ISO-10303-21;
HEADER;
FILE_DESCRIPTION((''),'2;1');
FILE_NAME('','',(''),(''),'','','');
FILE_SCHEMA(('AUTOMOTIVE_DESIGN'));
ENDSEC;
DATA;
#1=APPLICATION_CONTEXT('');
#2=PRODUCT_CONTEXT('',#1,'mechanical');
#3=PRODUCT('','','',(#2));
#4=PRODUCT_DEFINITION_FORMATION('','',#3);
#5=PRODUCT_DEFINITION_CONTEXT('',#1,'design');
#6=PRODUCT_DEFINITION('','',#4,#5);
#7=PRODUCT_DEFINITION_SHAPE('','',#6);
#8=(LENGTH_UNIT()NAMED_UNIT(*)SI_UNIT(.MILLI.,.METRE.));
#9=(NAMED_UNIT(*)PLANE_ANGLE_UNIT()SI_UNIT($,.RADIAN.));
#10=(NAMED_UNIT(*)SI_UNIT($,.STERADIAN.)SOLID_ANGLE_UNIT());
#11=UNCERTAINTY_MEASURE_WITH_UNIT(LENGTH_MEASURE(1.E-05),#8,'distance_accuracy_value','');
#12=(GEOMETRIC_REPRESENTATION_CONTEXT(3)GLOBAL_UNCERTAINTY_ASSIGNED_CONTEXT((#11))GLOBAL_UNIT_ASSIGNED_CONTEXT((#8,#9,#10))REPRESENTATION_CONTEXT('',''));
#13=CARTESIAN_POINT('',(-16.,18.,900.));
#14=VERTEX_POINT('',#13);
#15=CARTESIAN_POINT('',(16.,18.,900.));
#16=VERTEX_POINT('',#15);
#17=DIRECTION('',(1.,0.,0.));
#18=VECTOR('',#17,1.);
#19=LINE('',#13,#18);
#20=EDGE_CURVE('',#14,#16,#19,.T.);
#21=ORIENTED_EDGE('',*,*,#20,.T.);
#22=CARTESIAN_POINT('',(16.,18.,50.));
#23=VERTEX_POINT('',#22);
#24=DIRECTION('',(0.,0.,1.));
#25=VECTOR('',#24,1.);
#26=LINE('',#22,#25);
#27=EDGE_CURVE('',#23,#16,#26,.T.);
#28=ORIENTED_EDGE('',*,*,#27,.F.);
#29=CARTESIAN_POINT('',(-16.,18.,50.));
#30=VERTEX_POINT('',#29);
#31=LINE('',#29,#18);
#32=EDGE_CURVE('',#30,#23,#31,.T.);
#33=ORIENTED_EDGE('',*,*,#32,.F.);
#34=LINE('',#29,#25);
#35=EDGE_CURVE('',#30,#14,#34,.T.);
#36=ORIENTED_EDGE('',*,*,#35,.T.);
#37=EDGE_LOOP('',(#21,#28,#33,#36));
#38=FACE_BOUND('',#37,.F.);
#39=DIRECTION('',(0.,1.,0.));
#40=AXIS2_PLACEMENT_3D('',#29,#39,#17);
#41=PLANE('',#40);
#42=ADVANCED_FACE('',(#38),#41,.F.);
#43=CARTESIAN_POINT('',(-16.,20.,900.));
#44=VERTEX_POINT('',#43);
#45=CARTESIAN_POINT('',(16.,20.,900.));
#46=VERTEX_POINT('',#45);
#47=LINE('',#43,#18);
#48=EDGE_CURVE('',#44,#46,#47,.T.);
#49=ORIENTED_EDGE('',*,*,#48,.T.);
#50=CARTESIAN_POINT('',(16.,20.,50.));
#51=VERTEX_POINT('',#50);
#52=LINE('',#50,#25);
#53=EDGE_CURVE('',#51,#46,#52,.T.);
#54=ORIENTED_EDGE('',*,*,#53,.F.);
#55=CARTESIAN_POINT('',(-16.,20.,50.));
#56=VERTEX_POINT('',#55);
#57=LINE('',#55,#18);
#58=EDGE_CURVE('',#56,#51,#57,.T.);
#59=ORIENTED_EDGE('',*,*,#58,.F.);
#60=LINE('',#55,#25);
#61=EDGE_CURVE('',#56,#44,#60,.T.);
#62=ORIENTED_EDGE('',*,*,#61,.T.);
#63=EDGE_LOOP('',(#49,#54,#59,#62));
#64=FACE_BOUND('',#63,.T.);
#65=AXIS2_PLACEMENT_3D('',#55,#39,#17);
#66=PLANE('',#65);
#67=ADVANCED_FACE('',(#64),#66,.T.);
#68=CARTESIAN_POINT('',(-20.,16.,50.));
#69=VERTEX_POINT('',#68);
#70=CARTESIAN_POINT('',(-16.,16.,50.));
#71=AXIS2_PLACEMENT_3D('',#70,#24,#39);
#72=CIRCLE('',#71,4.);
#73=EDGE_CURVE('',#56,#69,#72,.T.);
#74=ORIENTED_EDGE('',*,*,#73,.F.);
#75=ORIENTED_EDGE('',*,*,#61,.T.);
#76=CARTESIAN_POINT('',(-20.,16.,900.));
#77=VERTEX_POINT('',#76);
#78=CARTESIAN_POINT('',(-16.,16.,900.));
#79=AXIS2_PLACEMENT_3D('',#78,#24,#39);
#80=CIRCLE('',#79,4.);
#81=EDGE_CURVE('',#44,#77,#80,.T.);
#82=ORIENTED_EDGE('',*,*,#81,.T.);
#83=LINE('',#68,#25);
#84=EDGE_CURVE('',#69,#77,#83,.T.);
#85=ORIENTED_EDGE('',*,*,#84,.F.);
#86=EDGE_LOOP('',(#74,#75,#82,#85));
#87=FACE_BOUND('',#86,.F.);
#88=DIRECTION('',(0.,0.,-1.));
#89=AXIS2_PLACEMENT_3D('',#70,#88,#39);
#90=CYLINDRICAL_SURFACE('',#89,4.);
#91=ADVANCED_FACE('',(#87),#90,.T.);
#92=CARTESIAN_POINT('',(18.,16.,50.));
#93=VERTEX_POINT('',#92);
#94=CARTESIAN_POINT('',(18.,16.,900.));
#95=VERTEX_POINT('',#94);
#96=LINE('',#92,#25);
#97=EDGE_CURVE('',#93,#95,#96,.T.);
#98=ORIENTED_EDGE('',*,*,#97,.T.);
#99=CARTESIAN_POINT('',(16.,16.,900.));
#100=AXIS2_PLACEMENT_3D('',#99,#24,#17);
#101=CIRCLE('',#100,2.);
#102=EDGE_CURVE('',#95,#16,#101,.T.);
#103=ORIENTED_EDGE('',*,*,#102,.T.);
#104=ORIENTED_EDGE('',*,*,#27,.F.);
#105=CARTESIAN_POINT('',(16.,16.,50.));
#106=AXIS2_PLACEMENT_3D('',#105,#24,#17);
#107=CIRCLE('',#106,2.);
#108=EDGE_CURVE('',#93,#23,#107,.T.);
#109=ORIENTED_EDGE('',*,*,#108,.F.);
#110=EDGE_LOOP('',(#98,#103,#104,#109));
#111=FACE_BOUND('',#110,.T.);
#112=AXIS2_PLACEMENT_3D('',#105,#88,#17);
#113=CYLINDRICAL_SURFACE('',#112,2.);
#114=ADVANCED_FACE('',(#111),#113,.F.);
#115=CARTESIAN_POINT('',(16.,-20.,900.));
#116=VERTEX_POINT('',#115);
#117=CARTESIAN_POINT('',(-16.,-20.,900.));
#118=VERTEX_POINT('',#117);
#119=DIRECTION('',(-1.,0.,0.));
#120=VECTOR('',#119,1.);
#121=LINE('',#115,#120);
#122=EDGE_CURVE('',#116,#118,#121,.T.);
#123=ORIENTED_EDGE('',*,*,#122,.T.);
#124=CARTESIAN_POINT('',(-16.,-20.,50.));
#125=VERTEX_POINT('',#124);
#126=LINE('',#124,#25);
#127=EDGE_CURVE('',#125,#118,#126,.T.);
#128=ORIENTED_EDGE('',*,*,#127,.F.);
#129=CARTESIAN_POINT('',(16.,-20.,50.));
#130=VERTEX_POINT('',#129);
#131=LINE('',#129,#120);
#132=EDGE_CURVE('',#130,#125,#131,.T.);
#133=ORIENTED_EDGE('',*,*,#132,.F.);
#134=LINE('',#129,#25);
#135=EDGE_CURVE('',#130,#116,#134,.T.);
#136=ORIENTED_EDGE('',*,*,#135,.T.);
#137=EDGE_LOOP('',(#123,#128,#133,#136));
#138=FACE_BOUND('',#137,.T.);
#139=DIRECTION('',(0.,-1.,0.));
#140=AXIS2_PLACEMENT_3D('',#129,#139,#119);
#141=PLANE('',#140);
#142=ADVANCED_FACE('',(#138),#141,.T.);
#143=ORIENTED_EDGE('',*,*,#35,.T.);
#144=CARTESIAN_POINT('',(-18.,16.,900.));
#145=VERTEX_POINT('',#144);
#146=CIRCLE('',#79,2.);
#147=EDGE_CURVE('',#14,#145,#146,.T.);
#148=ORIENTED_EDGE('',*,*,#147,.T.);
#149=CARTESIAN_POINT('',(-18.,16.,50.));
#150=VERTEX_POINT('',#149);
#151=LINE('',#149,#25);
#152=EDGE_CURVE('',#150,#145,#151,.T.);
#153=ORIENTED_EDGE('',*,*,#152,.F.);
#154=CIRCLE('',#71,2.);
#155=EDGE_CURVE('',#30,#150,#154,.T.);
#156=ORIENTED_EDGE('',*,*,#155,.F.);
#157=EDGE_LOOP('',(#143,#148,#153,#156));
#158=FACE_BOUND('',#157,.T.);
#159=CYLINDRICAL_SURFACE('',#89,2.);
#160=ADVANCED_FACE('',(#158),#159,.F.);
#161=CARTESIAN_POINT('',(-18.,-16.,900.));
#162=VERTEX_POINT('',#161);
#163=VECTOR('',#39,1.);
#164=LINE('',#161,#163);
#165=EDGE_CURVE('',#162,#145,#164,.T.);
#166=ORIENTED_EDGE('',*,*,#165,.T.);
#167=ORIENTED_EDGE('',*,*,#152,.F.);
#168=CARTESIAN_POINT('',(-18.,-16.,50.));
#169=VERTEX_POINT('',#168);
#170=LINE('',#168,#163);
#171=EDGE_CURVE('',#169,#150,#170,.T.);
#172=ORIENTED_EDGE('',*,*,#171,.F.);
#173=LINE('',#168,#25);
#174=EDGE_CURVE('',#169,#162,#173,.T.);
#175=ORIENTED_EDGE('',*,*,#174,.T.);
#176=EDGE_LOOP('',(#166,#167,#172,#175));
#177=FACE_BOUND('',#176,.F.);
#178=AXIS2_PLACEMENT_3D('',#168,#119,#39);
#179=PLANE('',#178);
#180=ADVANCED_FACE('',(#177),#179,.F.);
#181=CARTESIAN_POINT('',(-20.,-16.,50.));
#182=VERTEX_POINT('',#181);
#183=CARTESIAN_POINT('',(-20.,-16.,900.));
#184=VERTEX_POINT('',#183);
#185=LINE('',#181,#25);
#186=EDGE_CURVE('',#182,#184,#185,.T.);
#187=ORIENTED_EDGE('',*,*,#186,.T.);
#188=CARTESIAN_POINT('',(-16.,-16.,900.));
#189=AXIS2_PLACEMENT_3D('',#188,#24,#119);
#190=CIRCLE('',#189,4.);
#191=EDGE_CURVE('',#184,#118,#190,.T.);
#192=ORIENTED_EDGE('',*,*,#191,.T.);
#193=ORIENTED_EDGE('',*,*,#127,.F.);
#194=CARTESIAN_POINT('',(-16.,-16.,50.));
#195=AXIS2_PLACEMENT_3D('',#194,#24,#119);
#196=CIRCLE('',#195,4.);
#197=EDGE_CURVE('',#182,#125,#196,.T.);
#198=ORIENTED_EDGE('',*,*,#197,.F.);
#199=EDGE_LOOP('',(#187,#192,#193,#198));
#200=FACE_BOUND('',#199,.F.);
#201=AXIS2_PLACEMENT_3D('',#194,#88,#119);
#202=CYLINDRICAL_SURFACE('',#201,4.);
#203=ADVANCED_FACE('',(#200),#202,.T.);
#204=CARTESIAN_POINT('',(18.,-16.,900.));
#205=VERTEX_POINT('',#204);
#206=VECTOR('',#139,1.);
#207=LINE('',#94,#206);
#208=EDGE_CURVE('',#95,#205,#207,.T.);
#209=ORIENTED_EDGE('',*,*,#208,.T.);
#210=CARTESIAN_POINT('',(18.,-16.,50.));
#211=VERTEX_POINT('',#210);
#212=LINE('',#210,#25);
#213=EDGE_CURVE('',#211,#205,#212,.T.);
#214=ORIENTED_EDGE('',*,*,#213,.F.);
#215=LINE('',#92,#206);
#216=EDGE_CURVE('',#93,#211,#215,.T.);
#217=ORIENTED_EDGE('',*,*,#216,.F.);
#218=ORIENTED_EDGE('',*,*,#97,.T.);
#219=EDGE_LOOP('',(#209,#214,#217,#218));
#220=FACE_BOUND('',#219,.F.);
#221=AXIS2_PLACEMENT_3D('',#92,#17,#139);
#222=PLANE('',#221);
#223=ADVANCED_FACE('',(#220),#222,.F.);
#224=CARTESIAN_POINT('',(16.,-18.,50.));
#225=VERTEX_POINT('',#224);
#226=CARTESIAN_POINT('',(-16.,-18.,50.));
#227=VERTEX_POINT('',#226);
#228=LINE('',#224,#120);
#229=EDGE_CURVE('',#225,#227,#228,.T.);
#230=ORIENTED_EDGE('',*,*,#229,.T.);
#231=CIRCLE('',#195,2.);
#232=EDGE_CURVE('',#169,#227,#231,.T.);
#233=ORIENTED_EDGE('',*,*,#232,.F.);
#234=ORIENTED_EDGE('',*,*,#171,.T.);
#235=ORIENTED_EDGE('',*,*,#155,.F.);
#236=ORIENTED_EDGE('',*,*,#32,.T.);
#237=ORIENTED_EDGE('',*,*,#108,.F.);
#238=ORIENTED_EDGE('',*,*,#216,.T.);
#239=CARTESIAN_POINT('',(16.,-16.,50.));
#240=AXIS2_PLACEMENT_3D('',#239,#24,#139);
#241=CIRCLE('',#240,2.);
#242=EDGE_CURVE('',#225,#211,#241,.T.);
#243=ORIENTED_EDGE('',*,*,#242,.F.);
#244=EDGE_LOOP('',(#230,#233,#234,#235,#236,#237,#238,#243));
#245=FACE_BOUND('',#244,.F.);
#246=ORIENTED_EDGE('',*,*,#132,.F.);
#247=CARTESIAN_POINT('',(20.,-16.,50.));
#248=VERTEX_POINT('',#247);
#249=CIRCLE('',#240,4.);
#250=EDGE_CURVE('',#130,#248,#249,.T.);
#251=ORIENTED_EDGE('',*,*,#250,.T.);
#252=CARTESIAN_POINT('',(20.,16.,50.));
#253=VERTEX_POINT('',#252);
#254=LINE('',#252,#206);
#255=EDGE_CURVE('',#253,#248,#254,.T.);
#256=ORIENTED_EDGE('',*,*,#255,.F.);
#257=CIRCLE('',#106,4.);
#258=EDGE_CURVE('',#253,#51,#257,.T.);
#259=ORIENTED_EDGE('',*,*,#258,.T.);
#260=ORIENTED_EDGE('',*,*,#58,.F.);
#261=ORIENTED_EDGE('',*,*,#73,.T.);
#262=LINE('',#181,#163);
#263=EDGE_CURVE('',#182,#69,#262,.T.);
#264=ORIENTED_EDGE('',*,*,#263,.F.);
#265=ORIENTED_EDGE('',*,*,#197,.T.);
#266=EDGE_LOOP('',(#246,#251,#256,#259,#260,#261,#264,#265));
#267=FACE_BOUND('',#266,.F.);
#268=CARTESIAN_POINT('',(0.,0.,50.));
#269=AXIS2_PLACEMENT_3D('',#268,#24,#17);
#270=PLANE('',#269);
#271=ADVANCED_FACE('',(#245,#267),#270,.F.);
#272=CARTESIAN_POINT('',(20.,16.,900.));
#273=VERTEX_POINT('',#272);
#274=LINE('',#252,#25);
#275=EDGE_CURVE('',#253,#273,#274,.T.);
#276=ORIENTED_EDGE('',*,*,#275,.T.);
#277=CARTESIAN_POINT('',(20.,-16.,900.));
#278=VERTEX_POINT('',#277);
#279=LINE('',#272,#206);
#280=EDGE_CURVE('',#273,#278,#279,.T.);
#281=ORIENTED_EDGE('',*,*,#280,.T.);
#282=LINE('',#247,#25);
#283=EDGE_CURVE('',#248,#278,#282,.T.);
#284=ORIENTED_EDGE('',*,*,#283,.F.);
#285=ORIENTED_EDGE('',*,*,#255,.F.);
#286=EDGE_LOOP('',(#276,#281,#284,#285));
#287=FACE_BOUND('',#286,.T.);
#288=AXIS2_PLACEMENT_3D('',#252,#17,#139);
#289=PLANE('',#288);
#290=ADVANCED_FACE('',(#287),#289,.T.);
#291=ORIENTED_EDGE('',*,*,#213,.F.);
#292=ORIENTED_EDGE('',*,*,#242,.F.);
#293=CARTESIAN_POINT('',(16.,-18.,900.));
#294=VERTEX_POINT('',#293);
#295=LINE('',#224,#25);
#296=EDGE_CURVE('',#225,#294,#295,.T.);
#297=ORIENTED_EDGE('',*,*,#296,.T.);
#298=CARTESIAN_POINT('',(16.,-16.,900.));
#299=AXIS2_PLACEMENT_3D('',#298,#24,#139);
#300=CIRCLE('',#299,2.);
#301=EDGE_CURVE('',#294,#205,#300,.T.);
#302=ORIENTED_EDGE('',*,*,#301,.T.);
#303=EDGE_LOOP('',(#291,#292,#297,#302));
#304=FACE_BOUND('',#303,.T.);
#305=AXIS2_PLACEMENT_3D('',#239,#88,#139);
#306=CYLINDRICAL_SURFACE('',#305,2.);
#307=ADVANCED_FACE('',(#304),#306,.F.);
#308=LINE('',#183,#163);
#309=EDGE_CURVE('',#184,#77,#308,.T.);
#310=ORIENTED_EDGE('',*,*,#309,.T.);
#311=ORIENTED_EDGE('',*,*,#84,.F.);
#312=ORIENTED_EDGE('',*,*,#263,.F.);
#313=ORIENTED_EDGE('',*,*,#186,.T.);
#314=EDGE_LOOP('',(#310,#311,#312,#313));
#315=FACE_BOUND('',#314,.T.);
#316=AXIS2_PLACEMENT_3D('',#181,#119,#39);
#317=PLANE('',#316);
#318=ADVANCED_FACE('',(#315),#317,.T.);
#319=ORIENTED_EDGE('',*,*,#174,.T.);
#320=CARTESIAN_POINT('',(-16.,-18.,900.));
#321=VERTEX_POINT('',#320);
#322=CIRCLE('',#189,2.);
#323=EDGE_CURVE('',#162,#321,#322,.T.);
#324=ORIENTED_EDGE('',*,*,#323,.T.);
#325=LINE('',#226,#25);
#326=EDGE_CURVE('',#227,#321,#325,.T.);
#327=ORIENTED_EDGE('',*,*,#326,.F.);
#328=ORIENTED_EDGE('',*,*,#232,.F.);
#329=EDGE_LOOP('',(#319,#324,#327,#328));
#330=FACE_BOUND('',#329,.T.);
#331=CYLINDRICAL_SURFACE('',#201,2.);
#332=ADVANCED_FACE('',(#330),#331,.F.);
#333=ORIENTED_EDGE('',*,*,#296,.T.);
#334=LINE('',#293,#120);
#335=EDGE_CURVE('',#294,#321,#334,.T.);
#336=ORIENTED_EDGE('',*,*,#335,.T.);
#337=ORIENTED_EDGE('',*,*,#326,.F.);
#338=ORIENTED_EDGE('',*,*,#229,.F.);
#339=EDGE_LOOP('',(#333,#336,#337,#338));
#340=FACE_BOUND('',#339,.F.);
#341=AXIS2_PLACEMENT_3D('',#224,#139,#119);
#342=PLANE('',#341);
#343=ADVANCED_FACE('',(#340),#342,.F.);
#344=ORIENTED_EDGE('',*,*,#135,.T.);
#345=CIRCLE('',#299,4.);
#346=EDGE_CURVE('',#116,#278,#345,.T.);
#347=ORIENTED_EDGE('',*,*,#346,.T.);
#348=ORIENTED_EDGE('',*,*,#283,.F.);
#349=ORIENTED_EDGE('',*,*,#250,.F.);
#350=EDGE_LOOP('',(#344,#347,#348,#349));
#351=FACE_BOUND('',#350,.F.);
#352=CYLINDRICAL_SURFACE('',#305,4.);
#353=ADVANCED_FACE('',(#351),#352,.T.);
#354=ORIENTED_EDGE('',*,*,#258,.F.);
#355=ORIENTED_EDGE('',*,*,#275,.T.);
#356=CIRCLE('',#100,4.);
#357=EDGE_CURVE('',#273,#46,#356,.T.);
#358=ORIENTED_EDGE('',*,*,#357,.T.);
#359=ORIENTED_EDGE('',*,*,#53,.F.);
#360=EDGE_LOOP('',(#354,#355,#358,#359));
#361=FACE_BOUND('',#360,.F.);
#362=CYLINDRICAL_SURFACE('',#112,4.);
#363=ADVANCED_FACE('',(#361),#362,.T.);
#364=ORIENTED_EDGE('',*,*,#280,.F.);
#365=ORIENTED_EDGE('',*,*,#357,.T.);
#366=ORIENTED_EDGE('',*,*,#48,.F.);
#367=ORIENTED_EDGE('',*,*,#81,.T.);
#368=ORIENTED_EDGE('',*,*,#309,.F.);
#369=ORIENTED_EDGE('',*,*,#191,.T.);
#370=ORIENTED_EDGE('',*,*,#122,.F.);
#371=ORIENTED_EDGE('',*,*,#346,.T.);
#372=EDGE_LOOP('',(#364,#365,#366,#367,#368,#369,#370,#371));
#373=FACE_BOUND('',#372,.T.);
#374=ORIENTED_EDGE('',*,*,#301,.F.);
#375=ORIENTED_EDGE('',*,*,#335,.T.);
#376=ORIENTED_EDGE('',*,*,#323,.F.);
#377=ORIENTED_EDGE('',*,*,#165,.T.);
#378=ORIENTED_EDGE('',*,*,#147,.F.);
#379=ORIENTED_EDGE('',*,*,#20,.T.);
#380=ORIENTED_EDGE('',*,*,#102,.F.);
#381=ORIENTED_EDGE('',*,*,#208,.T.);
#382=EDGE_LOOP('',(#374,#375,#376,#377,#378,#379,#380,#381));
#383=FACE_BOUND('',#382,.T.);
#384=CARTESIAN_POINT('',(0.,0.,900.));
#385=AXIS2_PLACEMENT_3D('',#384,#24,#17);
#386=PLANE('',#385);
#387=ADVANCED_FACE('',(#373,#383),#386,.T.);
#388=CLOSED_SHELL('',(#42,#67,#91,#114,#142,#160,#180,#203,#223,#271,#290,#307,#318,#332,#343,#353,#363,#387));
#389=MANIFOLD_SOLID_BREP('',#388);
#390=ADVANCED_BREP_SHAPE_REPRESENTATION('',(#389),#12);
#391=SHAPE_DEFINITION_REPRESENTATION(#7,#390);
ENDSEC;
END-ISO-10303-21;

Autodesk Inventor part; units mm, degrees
ref_plane "YZ Plane" through (0, 0, 0) normal (1, 0, 0) x (0, 1, 0)
ref_plane "Start Plane" through (0, 0, 50) normal (0, 0, 1) x (1, 0, 0)
ref_plane "End Plane" through (0, 0, 900) normal (0, 0, 1) x (1, 0, 0)
sketch "Sketch" plane through (0, 0, 0) normal (0, 0, 1) x (1, 0, 0)
  line L0 (-20, -16) -> (-20, 16)
  line L1 (-16, 20) -> (16, 20)
  line L2 (20, 16) -> (20, -16)
  line L3 (16, -20) -> (-16, -20)
  arc A0 (-20, -16) -> (-16, -20) centre (-16, -16) ccw
  arc A1 (20, 16) -> (16, 20) centre (16, 16) ccw
  arc A2 (-16, 20) -> (-20, 16) centre (-16, 16) ccw
  arc A3 (16, -20) -> (20, -16) centre (16, -16) ccw
  arc A4 (-16, 18) -> (-18, 16) centre (-16, 16) ccw
  line L4 (-16, 18) -> (16, 18)
  arc A5 (18, 16) -> (16, 18) centre (16, 16) ccw
  line L5 (18, 16) -> (18, -16)
  arc A6 (16, -18) -> (18, -16) centre (16, -16) ccw
  line L6 (16, -18) -> (-16, -18)
  arc A7 (-18, -16) -> (-16, -18) centre (-16, -16) ccw
  line L7 (-18, -16) -> (-18, 16)
  line L8 (0, 29.1598) -> (0, -29.1598) construction
  line L9 (-29.1598, 0) -> (29.1598, 0) construction
  dimension "d7" = 4
  dimension "d9" = 40
  dimension "d11" = 40
  dimension "d12" = 2
  dimension "d15" = 20
  dimension "d16" = 20
extrude "Body" add sketch "Sketch" along normal up to surface (850 mm away) from surface at 50
sketch "Sketch3" plane through (0, 0, 0) normal (0, 0, 1) x (1, 0, 0)
  line L0 (0, 0) -> (10, 0)
ref_plane "Work Plane3" through (0, 0, 0) normal (0, -1, 0) x (1, 0, 0)
sketch "Sketch4" plane through (0, 0, 0) normal (0, -1, 0) x (1, 0, 0)
  line L0 (-2, 50) -> (12, 50) projected
  line L1 (-2, 900) -> (12, 900) projected
  dimension "d18" = 850
equation "\"d7\" = G_IR"
equation "\"d9\" = G_W"
equation "\"d11\" = G_H"
equation "\"d12\" = G_T"
equation "\"d15\" = 0.5 * d9"
equation "\"d16\" = 0.5 * d11"
equation "\"d3\" = G_L"
equation "\"G_W\" = 40"
equation "\"G_H\" = 40"
equation "\"G_T\" = 2"
equation "\"G_IR\" = 4"
equation "\"G_L\" = d18"
properties part number "ISO 10799-2 - 40x40x2 - 850" material "Steel, Mild"
